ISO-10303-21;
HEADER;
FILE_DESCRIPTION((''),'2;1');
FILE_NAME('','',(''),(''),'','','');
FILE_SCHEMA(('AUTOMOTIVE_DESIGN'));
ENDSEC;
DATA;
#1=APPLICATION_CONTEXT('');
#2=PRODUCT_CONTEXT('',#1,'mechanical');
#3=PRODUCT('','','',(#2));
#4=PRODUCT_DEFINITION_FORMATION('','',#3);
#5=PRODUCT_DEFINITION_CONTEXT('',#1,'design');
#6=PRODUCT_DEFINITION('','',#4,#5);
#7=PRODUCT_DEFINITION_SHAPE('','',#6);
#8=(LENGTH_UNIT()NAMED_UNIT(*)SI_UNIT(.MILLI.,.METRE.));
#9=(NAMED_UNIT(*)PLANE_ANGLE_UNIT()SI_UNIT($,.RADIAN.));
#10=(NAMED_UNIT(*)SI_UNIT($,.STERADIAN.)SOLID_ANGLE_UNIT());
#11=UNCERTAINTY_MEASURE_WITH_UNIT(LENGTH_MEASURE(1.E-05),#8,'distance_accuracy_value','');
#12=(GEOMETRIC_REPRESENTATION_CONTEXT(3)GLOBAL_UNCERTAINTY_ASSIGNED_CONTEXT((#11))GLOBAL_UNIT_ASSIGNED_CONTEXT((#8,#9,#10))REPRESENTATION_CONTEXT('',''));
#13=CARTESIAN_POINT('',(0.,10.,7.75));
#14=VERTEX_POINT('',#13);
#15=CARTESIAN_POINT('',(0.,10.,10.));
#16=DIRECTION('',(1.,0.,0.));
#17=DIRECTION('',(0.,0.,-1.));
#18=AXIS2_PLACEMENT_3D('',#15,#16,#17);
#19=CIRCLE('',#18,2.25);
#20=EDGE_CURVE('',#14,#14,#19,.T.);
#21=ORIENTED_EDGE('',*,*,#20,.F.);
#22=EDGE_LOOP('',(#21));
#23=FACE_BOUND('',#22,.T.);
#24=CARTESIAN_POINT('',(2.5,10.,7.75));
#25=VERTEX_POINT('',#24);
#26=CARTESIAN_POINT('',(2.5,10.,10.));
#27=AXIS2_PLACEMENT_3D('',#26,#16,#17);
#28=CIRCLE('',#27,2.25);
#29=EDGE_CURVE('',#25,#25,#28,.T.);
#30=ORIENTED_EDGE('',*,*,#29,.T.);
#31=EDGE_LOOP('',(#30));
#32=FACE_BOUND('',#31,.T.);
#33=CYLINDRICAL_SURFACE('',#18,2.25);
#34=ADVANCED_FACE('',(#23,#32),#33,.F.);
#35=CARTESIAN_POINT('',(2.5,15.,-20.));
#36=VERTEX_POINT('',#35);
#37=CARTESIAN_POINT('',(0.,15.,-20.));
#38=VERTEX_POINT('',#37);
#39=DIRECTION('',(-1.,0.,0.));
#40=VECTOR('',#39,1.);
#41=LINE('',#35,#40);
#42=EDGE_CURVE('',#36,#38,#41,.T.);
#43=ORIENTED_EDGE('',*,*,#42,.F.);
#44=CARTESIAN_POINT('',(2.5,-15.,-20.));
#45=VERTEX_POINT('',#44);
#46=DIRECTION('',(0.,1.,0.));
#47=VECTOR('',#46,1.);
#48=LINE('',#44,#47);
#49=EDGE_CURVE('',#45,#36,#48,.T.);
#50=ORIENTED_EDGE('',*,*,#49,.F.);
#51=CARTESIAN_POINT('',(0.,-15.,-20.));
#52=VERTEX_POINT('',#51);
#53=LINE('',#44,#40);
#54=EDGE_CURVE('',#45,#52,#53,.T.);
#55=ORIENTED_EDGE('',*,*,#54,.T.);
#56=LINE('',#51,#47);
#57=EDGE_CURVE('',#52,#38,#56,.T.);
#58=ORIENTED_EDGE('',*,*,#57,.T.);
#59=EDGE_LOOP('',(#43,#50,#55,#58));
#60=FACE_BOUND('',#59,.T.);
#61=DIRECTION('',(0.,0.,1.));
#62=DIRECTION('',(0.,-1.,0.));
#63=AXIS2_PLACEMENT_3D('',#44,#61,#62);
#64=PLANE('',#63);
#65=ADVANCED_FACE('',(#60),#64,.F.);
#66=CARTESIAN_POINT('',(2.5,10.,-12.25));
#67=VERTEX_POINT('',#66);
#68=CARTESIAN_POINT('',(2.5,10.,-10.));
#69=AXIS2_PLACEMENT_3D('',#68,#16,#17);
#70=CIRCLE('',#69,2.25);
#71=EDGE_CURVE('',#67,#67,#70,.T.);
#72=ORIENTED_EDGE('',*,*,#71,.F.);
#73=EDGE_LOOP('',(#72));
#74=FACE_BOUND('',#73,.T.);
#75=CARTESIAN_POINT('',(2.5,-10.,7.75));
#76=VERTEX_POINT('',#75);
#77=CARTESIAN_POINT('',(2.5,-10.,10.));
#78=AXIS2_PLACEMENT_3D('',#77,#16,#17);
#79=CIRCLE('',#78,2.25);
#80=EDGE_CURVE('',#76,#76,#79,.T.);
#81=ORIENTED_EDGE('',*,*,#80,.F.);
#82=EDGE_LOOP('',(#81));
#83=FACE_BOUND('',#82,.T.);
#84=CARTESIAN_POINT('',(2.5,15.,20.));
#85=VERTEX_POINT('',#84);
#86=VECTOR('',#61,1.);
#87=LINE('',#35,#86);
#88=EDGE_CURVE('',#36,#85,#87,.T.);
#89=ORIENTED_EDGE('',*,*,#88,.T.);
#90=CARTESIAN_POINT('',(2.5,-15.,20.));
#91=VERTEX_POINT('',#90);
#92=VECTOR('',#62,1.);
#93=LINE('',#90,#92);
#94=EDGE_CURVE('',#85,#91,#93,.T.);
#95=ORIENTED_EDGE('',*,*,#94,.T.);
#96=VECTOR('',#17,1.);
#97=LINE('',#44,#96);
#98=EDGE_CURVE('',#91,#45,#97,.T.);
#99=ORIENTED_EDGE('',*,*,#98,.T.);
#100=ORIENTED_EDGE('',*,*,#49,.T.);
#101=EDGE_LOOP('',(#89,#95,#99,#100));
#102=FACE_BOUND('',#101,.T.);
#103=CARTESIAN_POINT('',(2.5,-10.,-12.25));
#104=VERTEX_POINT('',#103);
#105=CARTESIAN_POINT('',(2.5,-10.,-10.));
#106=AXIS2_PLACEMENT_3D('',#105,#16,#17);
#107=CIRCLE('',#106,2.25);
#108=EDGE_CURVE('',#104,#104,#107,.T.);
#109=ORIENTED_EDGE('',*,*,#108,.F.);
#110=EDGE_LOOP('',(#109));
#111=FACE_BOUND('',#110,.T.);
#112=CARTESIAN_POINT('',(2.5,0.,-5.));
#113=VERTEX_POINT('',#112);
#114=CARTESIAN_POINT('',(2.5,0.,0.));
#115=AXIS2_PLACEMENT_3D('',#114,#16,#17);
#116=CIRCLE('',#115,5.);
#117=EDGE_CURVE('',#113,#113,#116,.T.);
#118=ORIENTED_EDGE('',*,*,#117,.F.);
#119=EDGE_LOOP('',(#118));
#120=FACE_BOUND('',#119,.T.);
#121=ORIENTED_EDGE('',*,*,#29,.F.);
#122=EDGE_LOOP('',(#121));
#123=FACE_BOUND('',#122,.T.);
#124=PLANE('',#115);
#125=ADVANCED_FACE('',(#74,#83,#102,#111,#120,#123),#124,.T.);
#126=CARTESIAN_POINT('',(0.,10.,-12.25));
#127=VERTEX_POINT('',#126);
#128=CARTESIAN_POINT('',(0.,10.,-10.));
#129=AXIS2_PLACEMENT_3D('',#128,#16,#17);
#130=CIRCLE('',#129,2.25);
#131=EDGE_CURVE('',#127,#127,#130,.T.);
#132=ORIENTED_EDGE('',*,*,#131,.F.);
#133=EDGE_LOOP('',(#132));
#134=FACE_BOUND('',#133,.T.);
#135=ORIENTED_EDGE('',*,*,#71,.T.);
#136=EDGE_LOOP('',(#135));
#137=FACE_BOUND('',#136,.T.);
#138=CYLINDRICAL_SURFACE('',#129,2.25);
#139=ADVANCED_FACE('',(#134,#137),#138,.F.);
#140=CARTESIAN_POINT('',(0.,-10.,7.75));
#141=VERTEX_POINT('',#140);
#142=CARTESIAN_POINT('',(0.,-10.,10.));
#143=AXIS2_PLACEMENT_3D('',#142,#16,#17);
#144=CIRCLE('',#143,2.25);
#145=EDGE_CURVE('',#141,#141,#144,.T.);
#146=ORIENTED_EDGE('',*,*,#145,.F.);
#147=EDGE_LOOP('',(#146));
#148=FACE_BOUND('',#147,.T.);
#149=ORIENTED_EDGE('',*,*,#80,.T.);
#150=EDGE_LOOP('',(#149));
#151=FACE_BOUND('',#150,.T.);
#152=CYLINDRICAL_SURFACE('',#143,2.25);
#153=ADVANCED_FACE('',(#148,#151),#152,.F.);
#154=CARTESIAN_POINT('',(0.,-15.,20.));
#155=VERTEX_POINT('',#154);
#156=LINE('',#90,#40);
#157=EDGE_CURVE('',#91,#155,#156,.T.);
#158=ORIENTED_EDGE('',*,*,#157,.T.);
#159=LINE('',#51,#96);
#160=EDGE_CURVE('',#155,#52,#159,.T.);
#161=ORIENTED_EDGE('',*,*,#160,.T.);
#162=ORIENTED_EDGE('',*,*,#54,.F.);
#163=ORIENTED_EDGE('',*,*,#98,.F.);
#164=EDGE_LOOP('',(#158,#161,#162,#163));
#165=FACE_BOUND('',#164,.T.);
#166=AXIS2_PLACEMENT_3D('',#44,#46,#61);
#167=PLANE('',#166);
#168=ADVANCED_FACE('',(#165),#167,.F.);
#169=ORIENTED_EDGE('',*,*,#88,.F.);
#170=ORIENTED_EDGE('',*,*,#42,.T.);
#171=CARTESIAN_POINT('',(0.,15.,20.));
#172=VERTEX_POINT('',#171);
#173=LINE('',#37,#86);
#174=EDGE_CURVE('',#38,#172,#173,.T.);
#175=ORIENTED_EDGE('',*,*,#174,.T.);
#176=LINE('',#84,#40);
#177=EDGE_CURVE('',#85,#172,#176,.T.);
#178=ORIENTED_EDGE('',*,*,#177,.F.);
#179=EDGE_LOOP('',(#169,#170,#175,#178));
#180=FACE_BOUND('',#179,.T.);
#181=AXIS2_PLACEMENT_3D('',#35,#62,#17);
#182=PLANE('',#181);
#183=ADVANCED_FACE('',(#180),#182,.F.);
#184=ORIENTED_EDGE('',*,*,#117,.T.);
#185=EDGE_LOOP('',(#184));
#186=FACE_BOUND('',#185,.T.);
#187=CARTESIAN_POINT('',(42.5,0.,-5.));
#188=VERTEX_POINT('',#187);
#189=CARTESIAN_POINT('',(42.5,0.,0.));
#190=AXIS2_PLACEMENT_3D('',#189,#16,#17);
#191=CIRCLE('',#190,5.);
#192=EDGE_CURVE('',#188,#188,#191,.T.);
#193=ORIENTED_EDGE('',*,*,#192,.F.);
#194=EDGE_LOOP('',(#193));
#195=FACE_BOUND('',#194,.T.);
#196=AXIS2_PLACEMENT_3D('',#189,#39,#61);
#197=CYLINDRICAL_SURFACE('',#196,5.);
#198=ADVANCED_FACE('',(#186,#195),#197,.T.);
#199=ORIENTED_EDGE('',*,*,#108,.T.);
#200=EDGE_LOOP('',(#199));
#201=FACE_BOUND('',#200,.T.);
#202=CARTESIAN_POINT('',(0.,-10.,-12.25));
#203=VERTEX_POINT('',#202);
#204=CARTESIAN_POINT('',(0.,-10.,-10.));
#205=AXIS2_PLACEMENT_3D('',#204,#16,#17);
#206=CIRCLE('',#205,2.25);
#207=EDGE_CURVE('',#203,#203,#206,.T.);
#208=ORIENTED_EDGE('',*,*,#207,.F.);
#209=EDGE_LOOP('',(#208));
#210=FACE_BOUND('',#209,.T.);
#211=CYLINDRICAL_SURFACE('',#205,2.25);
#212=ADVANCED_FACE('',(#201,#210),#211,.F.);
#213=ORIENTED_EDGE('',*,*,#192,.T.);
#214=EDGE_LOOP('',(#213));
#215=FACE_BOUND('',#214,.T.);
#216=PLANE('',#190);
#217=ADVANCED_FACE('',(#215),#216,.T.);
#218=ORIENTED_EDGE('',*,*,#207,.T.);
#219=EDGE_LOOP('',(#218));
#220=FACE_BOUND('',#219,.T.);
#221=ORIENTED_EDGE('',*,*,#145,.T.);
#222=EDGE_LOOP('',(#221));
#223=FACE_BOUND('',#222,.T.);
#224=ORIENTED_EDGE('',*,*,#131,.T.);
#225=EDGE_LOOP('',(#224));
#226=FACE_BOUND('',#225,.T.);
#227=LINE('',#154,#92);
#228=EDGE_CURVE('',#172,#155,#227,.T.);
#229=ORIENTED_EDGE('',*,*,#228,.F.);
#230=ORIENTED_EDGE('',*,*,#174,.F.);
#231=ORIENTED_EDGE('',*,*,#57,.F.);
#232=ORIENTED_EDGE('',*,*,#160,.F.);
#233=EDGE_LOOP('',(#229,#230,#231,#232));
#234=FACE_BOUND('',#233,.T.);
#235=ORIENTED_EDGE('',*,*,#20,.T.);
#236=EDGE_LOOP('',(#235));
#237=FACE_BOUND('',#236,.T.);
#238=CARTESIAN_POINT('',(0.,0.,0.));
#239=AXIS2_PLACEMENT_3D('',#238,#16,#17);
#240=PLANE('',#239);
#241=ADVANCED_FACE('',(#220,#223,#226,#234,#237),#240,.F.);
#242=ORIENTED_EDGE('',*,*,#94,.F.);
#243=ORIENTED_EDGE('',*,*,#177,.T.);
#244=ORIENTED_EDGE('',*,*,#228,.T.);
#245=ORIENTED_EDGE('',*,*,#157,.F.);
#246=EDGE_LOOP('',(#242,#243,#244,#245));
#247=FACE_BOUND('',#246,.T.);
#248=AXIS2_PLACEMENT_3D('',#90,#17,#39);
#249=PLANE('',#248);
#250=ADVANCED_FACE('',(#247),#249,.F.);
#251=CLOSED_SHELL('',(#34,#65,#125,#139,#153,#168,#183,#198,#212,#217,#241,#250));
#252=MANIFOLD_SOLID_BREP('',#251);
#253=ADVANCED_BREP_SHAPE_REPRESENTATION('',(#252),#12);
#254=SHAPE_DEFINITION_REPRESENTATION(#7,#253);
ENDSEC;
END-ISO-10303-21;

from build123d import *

# Parameters (mm, degrees)
SKETCH1_W           = 40
SKETCH1_H           = 30
BOSS_EXTRUDE1_DEPTH = 2.5
SKETCH2_R           = 5
BOSS_EXTRUDE2_DEPTH = 40
SKETCH4_R           = 2.25
CUT_EXTRUDE1_DEPTH  = 48.16990566


with BuildPart() as part:
    # Sketch1 → Boss-Extrude1 (new body)
    with BuildSketch(Plane(origin=(0, 0, 0), x_dir=(0, 0, -1), z_dir=(1, 0, 0))):
        Rectangle(SKETCH1_W, SKETCH1_H)
    extrude(amount=BOSS_EXTRUDE1_DEPTH)

    # Sketch2 → Boss-Extrude2 (add)
    with BuildSketch(Plane(origin=(2.5, 0, 0), x_dir=(0, 0, -1), z_dir=(1, 0, 0))):
        Circle(SKETCH2_R)
    extrude(amount=BOSS_EXTRUDE2_DEPTH)

    # Sketch4 → Cut-Extrude1 (cut, through all)
    with BuildSketch(Plane(origin=(2.5, 0, 0), x_dir=(0, 0, -1), z_dir=(1, 0, 0))):
        with Locations((-10, 10)):
            Circle(SKETCH4_R)
        with Locations((-10, -10)):
            Circle(SKETCH4_R)
        with Locations((10, 10)):
            Circle(SKETCH4_R)
        with Locations((10, -10)):
            Circle(SKETCH4_R)
    extrude(amount=-CUT_EXTRUDE1_DEPTH, mode=Mode.SUBTRACT)


solid = part.part
